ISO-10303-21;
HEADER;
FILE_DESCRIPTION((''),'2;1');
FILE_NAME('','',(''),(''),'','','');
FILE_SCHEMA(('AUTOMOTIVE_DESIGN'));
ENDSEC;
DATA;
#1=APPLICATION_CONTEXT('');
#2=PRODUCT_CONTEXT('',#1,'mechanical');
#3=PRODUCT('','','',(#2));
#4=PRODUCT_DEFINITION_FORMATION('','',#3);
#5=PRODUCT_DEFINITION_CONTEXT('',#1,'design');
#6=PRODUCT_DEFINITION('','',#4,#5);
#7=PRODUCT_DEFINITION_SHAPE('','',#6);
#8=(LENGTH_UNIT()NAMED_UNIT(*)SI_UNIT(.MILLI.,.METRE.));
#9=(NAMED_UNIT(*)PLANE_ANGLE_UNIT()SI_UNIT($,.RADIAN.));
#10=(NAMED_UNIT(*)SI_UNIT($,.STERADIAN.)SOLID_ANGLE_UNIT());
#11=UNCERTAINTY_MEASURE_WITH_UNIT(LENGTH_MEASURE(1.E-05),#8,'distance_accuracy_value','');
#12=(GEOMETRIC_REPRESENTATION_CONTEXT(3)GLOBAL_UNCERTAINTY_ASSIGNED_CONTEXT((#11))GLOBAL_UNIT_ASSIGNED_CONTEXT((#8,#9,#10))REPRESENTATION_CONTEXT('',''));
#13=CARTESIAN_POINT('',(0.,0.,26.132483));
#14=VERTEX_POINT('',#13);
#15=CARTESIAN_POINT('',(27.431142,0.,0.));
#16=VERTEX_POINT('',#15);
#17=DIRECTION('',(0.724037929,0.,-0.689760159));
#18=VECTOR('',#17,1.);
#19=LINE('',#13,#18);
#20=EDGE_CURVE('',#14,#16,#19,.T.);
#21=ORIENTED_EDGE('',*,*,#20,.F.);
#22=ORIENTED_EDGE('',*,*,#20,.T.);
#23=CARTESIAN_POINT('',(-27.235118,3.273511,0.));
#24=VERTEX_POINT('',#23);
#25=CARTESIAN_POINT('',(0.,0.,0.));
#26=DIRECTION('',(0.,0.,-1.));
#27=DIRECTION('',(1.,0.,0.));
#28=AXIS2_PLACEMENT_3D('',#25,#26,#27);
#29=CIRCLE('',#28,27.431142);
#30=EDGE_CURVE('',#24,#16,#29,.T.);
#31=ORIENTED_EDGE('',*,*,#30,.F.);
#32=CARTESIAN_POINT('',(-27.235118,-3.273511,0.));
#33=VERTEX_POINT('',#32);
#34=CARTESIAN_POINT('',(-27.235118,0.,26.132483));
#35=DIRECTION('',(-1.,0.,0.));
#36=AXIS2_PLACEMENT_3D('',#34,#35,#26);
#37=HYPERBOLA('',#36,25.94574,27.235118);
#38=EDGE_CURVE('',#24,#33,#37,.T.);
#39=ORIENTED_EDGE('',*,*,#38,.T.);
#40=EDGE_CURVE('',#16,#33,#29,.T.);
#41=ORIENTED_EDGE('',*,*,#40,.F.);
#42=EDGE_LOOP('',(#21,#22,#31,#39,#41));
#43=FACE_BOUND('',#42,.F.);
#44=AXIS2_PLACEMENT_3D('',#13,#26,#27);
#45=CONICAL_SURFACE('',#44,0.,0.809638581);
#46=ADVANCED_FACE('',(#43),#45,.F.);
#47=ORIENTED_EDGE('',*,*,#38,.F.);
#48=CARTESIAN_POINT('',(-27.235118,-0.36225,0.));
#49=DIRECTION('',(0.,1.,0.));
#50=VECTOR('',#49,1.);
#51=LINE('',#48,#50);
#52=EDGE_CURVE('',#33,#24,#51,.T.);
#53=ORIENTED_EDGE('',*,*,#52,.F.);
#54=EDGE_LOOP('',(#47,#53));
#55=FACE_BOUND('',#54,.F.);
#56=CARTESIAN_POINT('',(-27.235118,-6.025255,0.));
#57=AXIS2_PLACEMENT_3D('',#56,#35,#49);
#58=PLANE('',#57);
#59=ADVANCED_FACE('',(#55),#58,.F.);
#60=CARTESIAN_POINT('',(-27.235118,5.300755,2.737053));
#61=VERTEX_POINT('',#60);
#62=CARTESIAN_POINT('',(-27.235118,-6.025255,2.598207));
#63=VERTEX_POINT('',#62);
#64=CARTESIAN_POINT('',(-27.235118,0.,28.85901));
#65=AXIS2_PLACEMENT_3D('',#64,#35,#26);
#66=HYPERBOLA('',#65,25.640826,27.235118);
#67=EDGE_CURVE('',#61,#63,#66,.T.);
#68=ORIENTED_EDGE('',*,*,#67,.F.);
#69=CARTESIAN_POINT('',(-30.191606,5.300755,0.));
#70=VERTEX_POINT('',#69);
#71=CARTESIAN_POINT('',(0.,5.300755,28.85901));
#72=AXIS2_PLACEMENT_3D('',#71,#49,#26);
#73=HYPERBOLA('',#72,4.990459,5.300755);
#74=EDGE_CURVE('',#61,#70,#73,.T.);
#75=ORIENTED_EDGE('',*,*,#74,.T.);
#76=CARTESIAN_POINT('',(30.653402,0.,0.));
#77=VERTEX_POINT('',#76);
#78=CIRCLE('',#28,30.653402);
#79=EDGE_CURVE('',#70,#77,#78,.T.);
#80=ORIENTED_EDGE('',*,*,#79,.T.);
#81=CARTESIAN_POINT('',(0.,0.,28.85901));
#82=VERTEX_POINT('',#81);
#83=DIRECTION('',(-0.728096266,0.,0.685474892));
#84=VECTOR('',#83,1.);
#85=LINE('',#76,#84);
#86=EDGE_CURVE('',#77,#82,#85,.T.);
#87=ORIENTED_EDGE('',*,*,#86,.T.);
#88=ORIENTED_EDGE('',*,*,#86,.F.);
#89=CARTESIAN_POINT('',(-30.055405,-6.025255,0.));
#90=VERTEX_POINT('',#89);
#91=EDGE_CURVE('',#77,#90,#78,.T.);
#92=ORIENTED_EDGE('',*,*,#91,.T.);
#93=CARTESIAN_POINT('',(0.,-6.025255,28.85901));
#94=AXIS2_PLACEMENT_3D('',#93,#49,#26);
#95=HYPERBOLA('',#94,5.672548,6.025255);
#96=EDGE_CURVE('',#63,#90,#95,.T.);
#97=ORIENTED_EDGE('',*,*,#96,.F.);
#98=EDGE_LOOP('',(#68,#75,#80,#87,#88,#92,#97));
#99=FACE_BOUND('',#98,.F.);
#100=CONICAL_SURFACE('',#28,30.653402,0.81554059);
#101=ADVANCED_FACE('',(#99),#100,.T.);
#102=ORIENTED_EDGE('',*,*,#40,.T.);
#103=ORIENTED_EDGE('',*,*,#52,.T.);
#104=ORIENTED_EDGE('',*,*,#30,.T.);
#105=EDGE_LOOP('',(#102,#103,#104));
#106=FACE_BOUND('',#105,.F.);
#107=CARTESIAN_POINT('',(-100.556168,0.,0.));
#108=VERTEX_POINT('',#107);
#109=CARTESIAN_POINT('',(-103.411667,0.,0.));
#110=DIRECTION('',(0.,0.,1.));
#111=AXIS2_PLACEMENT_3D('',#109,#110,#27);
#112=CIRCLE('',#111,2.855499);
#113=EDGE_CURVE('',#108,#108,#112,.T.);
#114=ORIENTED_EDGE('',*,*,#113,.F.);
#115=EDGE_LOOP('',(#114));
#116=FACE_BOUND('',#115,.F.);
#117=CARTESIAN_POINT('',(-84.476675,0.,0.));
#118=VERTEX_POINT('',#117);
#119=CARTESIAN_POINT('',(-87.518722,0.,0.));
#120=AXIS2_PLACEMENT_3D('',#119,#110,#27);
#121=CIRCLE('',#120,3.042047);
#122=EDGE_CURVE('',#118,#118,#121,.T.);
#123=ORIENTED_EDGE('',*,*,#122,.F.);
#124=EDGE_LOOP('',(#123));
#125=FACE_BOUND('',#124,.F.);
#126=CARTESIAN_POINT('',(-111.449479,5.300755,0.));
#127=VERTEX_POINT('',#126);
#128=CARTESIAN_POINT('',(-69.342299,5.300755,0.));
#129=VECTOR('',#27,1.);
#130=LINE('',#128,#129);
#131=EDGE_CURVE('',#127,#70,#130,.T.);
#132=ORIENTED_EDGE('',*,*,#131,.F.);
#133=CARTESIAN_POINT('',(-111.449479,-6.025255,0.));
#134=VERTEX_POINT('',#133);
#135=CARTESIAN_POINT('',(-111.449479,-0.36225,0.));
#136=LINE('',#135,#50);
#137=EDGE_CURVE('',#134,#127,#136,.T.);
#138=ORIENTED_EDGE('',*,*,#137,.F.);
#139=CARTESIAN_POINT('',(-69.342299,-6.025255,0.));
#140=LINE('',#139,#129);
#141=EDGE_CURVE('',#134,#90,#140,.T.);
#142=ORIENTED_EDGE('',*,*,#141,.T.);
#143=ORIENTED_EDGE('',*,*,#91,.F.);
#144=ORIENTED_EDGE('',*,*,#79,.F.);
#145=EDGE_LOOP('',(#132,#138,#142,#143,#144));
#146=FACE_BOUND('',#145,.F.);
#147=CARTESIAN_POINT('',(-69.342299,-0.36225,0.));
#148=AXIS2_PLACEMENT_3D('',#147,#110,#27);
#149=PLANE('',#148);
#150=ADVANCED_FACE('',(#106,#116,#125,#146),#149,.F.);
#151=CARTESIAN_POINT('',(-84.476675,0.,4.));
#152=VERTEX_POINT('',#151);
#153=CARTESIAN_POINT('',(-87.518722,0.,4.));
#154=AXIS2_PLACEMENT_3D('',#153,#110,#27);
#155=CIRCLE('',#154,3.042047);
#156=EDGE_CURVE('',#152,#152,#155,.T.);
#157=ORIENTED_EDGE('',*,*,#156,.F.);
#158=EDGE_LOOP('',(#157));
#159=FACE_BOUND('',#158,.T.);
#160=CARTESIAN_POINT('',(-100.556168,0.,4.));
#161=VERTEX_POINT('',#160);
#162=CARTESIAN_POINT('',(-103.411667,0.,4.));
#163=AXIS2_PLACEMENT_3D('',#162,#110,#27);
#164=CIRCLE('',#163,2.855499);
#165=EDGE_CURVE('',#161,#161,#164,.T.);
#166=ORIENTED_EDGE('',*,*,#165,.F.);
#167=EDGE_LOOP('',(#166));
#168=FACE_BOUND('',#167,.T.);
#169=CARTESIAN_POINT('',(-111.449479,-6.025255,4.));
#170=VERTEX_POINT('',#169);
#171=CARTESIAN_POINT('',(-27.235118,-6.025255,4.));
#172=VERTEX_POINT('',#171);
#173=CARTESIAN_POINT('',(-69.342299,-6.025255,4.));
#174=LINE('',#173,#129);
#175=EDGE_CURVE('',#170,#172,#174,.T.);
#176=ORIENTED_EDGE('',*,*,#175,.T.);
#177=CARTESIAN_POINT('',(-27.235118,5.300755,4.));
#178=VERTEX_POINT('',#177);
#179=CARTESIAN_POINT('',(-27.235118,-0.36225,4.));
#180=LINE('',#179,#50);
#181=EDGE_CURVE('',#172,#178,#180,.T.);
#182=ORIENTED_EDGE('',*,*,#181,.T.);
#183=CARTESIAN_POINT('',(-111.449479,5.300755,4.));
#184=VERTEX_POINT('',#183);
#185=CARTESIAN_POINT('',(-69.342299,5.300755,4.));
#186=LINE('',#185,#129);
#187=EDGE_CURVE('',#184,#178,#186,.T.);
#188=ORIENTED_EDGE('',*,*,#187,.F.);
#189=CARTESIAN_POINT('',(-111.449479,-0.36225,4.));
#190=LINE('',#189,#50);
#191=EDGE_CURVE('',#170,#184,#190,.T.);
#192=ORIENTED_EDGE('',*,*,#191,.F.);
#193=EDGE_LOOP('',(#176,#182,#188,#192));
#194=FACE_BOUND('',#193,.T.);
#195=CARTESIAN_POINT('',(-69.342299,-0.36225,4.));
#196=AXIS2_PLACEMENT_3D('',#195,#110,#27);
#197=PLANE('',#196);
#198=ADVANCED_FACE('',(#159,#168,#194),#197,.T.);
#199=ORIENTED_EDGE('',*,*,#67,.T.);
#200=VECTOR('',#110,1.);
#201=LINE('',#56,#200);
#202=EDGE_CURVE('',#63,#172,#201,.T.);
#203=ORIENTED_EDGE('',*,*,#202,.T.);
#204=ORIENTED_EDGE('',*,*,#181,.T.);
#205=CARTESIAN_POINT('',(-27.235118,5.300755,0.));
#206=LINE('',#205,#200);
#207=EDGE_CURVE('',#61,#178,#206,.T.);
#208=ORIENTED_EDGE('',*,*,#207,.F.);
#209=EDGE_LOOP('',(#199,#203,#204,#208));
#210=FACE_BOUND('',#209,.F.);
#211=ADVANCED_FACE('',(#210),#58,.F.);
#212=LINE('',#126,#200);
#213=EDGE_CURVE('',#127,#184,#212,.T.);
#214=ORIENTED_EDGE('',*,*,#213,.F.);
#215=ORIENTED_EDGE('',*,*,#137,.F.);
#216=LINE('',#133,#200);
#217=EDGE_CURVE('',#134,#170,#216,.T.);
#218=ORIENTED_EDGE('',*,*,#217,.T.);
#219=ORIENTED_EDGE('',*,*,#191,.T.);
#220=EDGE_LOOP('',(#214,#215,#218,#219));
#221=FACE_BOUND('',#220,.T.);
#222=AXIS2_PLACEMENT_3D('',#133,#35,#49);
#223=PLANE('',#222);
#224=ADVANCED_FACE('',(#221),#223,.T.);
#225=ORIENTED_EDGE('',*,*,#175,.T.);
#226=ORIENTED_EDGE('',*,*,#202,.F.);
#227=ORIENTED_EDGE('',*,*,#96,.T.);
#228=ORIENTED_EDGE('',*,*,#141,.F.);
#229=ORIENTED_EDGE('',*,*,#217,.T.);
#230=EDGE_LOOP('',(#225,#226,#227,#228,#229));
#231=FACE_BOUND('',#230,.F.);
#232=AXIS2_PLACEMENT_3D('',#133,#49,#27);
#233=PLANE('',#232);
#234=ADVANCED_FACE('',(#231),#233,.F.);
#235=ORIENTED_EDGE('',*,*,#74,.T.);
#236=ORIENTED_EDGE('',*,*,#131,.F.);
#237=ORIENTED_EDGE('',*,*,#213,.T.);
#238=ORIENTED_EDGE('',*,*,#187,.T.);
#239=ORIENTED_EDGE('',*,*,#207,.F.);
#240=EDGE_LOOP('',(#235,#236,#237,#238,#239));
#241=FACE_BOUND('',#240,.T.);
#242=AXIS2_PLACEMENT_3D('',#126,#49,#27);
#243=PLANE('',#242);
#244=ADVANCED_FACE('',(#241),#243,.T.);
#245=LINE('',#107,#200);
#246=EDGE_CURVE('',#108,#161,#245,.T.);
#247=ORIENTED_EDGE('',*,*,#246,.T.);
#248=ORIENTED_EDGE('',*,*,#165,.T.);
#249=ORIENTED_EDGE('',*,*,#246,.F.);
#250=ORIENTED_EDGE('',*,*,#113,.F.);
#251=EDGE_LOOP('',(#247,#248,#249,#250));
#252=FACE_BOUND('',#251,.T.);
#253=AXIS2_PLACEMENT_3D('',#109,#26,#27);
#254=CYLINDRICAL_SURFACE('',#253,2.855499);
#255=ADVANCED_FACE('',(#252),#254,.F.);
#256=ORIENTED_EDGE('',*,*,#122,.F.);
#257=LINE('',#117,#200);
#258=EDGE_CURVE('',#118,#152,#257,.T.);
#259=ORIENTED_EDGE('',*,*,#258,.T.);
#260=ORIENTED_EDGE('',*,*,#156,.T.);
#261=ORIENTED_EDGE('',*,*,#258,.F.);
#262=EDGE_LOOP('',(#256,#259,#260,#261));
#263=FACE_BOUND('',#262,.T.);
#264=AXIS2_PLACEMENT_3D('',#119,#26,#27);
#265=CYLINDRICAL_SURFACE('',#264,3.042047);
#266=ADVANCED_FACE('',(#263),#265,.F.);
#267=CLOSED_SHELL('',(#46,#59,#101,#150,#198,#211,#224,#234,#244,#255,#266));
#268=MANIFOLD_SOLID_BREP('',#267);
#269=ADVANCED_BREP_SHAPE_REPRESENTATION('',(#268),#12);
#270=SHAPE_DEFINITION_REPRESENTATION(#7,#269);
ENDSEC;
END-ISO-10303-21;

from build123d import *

# Parameters (mm, degrees)
F2_W     = 84.214361
F2_H     = 11.32601
F2_R     = 2.855499
F2_R_2   = 3.042047
F3_DEPTH = 4


with BuildPart() as f1:
    # F0 (on Front) → F1 (revolve)
    with BuildSketch(Plane.XZ):
        Polygon((0, 28.85901), (0, 26.132483), (27.431142, 0), (30.653402, 0), align=None)
    revolve(axis=Axis((0, 0, 13.066242), (0, 0, -1)))

    # F2 (on Top) → F3 (join)
    with BuildSketch(Plane.XY):
        with Locations((-69.342299, -0.36225)):
            Rectangle(F2_W, F2_H)
        with Locations((-103.411667, 0)):
            Circle(F2_R, mode=Mode.SUBTRACT)
        with Locations((-87.518722, 0)):
            Circle(F2_R_2, mode=Mode.SUBTRACT)
    extrude(amount=F3_DEPTH)


solid = f1.part
